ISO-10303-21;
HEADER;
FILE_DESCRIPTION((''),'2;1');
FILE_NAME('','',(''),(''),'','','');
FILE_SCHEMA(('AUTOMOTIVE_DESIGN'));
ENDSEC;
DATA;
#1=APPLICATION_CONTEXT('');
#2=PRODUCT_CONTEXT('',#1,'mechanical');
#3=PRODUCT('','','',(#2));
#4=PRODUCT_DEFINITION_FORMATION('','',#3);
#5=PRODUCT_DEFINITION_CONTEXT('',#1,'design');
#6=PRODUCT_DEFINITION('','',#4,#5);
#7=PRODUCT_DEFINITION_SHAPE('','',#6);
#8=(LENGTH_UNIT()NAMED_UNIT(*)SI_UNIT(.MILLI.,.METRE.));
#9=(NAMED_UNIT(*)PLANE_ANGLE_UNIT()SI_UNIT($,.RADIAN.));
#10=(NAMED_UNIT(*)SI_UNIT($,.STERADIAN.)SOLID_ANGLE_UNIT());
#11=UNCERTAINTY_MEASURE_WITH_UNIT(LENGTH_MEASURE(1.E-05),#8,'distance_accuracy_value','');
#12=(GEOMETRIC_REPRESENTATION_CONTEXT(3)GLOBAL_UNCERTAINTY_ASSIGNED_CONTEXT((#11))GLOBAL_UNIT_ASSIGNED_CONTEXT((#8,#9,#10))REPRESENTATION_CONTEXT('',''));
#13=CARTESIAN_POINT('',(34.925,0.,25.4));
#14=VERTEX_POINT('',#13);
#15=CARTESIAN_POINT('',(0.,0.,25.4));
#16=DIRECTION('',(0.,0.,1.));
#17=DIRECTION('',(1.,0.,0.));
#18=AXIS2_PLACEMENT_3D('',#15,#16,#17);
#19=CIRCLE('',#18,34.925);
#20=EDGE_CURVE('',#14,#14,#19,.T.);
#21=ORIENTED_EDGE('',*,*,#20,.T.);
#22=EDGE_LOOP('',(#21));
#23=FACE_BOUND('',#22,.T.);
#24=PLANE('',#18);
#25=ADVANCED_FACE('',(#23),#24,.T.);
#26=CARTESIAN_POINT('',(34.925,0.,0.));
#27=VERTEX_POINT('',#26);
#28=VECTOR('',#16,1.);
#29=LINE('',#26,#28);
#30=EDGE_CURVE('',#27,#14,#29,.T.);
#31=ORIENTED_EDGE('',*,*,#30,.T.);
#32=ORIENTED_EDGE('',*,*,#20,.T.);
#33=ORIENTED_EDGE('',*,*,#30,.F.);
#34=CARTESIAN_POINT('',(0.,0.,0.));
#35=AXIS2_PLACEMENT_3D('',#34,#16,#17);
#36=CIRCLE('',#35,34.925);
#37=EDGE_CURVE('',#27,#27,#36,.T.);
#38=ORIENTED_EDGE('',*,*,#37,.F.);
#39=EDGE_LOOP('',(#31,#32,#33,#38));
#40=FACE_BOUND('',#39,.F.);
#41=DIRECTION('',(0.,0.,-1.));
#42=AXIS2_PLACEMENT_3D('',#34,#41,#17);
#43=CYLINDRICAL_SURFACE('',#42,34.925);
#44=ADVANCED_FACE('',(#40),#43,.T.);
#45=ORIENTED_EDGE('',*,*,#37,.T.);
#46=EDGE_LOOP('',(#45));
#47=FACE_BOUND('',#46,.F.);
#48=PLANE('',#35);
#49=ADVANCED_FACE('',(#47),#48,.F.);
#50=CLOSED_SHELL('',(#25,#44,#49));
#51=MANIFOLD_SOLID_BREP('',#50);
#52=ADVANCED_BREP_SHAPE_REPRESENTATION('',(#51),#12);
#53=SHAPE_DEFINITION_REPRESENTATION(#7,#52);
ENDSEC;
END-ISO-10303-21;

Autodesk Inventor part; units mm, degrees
ref_plane "YZ Plane" through (0, 0, 0) normal (1, 0, 0) x (0, 1, 0)
ref_plane "XZ Plane" through (0, 0, 0) normal (0, 1, 0) x (-1, 0, 0)
ref_plane "XY Plane" through (0, 0, 0) normal (0, 0, 1) x (1, 0, 0)
sketch "Sketch1" plane through (0, 0, 0) normal (0, 0, 1) x (1, 0, 0)
  circle A0 centre (0, 0) radius 34.925
  dimension "d0" = 69.85
extrude "Extrusion1" add sketch "Sketch1" along normal blind 25.4
properties part number "bottomCoverVacuumInsulation"
